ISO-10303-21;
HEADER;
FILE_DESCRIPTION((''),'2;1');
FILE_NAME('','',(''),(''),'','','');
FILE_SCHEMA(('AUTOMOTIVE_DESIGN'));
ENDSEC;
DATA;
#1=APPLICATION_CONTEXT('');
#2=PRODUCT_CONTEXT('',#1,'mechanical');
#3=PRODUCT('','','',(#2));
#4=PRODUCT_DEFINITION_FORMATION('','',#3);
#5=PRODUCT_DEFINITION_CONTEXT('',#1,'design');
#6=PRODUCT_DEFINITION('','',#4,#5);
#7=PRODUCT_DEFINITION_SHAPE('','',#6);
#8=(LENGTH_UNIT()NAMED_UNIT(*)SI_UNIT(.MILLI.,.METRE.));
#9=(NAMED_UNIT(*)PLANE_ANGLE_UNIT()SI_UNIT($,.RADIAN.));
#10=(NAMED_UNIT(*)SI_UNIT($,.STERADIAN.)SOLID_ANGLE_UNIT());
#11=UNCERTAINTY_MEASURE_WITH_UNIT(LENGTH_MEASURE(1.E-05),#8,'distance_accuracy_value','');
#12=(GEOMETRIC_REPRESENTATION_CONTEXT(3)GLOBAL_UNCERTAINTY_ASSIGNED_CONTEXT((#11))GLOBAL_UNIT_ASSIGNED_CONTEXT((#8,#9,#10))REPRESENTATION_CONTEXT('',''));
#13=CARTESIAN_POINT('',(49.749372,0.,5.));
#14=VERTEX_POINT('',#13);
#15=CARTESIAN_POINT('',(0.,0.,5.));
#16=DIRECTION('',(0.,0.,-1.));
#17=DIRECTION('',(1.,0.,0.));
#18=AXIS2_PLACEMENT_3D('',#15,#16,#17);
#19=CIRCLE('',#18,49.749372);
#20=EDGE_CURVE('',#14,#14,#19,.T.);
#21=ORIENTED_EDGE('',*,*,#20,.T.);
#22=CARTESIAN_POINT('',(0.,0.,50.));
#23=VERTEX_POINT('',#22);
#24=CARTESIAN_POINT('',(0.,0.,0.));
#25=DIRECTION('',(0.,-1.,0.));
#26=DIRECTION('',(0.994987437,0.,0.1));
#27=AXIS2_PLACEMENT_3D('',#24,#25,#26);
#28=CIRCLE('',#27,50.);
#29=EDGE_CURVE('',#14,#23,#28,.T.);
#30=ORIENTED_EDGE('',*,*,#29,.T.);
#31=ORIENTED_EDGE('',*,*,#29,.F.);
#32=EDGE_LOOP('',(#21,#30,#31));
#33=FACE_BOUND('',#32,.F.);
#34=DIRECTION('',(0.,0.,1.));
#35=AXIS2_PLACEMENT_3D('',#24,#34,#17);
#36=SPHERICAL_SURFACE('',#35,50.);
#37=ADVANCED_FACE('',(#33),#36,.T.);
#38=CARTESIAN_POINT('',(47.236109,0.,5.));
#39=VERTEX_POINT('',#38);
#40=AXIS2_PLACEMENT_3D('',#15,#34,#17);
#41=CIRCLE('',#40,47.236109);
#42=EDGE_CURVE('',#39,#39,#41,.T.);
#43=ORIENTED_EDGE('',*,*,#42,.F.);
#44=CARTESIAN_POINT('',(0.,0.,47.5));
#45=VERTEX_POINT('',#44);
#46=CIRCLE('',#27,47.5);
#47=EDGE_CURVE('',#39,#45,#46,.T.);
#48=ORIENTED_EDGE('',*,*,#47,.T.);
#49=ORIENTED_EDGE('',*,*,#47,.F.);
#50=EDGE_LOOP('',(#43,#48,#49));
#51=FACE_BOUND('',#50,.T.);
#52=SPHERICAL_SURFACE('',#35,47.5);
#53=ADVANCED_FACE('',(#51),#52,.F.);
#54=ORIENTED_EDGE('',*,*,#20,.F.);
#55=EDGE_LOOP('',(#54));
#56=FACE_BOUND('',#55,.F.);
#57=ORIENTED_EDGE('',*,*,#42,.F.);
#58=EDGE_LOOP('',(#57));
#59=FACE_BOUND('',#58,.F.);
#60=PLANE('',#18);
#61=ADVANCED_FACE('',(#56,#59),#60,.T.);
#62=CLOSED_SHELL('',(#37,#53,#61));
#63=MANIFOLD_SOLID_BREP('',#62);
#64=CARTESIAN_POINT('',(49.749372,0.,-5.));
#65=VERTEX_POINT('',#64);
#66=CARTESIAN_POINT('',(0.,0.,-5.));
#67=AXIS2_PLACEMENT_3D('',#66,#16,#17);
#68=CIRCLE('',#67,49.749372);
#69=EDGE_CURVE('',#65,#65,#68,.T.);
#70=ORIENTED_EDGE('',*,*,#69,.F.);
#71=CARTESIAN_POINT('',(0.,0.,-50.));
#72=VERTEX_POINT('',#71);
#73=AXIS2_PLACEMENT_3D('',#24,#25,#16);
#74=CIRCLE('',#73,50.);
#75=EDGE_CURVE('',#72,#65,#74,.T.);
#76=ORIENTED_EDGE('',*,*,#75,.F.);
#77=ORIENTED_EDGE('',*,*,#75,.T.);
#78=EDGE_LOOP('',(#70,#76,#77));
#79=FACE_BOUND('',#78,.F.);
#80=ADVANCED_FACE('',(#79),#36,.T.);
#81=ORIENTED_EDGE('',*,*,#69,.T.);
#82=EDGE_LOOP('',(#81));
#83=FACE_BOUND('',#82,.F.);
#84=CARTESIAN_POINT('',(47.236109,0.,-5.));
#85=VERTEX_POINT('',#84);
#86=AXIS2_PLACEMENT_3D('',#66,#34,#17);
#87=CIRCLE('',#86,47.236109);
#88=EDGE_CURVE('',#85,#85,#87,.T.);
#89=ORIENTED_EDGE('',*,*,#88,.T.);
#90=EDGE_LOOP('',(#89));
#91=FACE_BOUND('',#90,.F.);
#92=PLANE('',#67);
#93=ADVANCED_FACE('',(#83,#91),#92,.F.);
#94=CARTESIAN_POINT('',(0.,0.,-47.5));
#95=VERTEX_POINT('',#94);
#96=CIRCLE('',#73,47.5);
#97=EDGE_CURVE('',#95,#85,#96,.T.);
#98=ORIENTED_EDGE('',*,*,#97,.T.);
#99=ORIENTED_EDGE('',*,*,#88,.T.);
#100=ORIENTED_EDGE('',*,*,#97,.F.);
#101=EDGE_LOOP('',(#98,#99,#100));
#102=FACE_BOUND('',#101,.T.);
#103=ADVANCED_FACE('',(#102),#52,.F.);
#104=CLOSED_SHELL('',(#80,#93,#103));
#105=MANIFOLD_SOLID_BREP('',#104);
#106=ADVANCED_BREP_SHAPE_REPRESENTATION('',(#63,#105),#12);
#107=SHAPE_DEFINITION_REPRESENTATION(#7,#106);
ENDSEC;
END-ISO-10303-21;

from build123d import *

# Parameters (mm, degrees)
F3_T   = -2.5
F3_2_T = -2.5


with BuildPart() as f2:
    # F1 (on Front) → F2 (revolve)
    with BuildSketch(Plane.XZ):
        with BuildLine():
            ThreePointArc((49.7493718553, 5), (33.5410196625, 37.0809924355), (0, 50))
            Line((0, 50), (0, 5))
            Line((0, 5), (49.7493718553, 5))
        make_face()
    revolve(axis=Axis((0, 0, 27.5), (0, 0, -1)))

    # F3
    f3_openings = [f2.faces().sort_by_distance(p)[0] for p in [
        (0, 0, 5),
    ]]
    offset(amount=F3_T, openings=f3_openings)


with BuildPart() as f2b:
    # F1 (on Front) → F2, piece 2 (revolve)
    with BuildSketch(Plane.XZ):
        with BuildLine():
            Line((0, -5), (0, -50))
            ThreePointArc((0, -50), (33.5410196625, -37.0809924355), (49.7493718553, -5))
            Line((49.7493718553, -5), (0, -5))
        make_face()
    revolve(axis=Axis((0, 0, 27.5), (0, 0, -1)))

    # F3#2
    f3_2_openings = [f2b.faces().sort_by_distance(p)[0] for p in [
        (0, 0, -5),
    ]]
    offset(amount=F3_2_T, openings=f3_2_openings)


solid = Compound([f2.part, f2b.part])
